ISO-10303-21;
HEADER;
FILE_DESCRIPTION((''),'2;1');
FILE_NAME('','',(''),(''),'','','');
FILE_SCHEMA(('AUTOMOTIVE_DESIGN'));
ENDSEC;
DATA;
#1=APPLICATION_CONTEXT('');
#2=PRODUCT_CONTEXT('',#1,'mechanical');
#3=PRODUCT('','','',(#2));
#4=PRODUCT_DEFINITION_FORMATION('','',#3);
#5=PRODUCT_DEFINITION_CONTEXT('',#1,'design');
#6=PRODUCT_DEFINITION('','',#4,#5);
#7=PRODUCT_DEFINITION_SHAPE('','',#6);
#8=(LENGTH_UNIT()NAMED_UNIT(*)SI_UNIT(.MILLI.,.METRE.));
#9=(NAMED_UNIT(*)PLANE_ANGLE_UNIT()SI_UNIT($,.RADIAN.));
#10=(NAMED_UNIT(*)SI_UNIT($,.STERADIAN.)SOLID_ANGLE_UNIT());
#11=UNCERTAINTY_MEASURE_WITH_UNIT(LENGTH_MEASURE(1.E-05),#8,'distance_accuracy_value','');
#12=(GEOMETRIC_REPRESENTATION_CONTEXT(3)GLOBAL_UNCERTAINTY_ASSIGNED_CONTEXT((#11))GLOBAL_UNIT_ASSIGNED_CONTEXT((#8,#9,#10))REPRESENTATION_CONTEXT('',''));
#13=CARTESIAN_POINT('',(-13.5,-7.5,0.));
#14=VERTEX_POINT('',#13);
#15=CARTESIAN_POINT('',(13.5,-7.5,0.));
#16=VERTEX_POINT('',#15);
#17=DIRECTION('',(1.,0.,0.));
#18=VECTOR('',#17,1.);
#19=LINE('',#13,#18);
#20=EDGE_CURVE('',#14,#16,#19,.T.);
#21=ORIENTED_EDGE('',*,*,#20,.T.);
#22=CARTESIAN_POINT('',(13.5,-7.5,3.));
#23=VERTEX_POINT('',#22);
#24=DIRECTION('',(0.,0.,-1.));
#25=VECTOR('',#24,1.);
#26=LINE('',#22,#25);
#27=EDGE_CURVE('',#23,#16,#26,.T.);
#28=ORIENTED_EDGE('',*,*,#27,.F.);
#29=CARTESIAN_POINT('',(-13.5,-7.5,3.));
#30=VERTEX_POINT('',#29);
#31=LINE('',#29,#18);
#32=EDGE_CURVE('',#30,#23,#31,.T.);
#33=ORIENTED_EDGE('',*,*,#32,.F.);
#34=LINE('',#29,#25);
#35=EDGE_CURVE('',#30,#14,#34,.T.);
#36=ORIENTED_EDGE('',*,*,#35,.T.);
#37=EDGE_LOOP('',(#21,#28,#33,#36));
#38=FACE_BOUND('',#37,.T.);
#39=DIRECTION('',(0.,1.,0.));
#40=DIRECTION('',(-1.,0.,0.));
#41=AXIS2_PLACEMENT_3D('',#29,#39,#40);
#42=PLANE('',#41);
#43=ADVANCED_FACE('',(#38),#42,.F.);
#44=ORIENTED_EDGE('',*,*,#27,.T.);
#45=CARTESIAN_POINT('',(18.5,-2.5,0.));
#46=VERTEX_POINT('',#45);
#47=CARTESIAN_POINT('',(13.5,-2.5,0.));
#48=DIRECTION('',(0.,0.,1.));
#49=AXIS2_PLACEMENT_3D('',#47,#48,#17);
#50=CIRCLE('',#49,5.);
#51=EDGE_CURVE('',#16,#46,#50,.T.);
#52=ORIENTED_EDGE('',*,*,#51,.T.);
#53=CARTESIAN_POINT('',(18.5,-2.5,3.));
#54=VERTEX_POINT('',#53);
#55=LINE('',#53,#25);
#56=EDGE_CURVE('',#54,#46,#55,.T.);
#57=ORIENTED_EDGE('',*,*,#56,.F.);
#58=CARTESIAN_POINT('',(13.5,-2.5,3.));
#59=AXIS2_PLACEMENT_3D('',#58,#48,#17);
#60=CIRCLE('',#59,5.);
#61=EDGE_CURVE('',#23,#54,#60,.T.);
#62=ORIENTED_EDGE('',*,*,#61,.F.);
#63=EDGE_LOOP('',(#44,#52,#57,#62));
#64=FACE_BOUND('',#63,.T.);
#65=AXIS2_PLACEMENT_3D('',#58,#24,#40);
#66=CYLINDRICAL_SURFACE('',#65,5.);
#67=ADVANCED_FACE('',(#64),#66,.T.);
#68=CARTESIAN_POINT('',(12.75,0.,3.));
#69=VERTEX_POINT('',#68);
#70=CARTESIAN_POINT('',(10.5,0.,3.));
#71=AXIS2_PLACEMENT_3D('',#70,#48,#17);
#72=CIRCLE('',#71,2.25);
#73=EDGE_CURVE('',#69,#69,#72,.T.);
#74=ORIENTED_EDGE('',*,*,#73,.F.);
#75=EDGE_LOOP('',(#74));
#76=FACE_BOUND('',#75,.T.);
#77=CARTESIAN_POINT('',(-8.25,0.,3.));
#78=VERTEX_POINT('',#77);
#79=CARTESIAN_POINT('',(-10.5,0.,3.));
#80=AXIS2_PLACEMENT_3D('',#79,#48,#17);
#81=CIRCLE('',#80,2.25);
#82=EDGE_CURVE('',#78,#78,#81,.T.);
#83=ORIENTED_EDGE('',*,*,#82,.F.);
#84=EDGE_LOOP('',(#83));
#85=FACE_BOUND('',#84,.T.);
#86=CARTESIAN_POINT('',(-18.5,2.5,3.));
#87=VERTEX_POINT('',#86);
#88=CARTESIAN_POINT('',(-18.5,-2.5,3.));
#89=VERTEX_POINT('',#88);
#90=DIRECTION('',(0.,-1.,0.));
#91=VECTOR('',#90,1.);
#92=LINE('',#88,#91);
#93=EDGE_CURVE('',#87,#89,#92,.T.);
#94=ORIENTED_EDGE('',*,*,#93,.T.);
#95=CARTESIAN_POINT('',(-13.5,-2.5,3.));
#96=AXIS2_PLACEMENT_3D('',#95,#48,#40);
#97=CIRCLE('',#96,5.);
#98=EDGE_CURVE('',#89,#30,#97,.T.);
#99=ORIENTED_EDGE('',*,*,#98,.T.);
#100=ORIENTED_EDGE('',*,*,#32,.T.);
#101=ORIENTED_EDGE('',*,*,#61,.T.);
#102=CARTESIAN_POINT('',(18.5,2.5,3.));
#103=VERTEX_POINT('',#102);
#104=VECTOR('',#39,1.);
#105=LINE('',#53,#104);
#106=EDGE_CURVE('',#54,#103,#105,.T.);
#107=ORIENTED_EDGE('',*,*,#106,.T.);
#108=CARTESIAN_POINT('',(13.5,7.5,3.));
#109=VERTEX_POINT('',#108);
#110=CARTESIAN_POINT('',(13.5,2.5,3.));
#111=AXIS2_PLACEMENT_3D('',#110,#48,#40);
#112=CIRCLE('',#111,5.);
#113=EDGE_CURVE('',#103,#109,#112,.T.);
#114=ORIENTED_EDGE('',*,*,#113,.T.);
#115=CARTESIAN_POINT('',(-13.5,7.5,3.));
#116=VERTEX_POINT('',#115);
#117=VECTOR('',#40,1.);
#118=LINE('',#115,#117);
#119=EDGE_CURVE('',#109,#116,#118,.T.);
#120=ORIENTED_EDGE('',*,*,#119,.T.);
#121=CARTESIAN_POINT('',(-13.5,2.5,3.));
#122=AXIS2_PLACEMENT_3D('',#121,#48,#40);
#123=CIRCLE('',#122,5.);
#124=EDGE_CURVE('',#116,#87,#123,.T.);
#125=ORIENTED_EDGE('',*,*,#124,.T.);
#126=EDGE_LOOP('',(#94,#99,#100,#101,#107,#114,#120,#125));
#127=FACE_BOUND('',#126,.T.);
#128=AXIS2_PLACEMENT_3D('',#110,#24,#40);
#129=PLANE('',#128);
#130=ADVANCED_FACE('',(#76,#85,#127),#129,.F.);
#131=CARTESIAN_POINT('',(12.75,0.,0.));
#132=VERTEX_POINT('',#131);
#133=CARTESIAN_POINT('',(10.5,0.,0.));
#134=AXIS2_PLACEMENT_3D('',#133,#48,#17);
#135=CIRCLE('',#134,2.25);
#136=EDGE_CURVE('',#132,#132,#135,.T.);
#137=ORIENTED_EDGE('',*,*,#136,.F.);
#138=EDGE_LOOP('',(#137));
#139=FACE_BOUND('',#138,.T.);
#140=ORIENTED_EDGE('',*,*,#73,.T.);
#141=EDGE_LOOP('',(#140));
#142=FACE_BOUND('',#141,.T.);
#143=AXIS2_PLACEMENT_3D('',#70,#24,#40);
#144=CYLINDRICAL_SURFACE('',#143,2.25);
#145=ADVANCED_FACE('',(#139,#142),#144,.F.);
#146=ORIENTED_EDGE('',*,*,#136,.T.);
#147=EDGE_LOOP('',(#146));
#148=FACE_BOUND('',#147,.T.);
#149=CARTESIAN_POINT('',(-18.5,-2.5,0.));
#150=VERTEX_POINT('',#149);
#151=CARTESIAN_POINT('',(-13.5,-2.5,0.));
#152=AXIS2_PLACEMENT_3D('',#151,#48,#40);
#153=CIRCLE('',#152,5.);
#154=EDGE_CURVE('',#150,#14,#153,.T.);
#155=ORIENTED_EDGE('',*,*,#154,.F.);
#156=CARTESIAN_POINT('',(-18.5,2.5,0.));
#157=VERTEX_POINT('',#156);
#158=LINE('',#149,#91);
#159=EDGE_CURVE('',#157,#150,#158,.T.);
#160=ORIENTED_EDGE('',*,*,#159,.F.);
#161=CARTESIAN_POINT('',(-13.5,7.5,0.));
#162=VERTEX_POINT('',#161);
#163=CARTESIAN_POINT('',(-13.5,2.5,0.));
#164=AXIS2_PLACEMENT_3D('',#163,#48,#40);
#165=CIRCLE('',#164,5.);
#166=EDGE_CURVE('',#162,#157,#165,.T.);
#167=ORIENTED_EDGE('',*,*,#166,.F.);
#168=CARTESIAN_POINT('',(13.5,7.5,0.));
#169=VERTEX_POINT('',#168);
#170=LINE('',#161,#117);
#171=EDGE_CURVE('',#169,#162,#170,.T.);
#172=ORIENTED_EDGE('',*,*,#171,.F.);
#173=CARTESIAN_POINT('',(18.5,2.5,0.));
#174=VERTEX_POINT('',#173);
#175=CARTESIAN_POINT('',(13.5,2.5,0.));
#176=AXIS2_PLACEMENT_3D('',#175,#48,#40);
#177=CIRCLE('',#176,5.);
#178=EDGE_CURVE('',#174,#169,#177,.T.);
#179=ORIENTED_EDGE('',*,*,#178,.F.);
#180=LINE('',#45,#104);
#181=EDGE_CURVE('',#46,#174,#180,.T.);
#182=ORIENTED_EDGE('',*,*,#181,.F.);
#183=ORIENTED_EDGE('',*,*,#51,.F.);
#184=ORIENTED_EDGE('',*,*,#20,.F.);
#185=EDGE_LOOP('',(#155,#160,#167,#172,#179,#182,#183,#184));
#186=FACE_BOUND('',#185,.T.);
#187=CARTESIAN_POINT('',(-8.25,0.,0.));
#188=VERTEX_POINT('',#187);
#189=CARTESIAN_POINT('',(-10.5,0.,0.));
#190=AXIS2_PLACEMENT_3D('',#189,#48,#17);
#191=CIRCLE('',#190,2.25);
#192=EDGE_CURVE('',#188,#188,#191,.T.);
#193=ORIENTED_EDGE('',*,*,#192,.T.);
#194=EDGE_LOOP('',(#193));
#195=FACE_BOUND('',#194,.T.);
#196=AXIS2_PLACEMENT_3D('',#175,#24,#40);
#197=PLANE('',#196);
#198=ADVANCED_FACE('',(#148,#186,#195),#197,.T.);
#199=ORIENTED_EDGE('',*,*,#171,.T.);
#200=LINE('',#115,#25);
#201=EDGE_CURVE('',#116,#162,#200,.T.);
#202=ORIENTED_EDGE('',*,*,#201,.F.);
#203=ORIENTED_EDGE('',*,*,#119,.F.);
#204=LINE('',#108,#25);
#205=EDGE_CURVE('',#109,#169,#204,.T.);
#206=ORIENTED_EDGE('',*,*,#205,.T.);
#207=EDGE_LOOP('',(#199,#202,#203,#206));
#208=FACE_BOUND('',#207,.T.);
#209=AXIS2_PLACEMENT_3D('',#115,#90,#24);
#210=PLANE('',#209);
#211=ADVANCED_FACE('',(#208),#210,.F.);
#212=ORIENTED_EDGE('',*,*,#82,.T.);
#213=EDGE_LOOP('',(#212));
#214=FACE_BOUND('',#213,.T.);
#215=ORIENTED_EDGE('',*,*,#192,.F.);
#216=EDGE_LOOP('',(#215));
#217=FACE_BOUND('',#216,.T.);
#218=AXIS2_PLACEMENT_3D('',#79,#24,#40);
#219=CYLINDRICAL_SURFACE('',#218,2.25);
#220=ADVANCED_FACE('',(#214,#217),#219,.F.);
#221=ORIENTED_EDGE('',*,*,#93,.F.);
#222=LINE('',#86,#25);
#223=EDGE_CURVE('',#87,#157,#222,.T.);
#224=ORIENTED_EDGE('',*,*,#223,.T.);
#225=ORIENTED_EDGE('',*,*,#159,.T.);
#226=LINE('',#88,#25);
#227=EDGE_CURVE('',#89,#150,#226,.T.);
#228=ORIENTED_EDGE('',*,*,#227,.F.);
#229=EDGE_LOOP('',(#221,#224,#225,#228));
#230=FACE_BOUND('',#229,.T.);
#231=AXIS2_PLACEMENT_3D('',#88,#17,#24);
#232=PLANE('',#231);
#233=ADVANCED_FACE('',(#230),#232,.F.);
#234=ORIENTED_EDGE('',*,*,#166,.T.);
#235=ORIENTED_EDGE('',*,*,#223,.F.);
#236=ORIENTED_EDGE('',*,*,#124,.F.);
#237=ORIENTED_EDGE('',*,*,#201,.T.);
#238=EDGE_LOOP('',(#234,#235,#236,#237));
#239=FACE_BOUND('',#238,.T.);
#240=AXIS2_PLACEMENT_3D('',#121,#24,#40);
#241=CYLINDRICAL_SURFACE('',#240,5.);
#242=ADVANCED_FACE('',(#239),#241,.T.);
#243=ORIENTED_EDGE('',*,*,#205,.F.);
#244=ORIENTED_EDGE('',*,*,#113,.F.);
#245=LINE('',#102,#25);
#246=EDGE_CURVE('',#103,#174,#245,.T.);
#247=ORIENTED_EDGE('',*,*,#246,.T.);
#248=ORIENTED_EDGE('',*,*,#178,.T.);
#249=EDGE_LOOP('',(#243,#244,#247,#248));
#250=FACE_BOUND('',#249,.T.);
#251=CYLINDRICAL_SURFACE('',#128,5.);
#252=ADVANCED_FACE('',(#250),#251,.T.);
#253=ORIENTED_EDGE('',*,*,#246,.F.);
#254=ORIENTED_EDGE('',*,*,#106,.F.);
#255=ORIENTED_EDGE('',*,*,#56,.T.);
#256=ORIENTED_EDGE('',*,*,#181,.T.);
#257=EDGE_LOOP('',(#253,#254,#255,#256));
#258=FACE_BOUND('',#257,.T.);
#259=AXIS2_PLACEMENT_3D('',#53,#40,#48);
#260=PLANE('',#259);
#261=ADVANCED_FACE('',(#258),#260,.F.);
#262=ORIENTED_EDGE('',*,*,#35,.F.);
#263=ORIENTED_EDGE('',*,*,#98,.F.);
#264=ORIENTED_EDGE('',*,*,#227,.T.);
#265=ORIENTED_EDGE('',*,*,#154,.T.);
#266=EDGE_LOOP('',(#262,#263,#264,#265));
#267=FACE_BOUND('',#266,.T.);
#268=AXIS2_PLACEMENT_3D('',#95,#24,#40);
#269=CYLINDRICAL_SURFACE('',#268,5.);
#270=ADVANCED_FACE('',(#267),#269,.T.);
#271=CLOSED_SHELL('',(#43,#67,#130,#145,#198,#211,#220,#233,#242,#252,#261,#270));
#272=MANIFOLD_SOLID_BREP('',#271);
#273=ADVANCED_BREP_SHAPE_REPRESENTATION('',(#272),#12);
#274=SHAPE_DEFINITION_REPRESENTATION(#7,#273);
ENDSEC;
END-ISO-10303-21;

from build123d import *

# Parameters (mm, degrees)
SKETCH1_R           = 2.25
BOSS_EXTRUDE1_DEPTH = 3


with BuildPart() as part:
    # Sketch1 → Boss-Extrude1 (new body)
    with BuildSketch(Plane.XY):
        with BuildLine():
            Line((-13.5, -7.5), (13.5, -7.5))
            ThreePointArc((13.5, -7.5), (17.035533906, -6.035533906), (18.5, -2.5))
            Line((18.5, -2.5), (18.5, 2.5))
            ThreePointArc((18.5, 2.5), (17.035533906, 6.035533906), (13.5, 7.5))
            Line((13.5, 7.5), (-13.5, 7.5))
            ThreePointArc((-13.5, 7.5), (-17.035533906, 6.035533906), (-18.5, 2.5))
            Line((-18.5, 2.5), (-18.5, -2.5))
            ThreePointArc((-18.5, -2.5), (-17.035533906, -6.035533906), (-13.5, -7.5))
        make_face()
        with Locations((-10.5, 0)):
            Circle(SKETCH1_R, mode=Mode.SUBTRACT)
        with Locations((10.5, 0)):
            Circle(SKETCH1_R, mode=Mode.SUBTRACT)
    extrude(amount=BOSS_EXTRUDE1_DEPTH)


solid = part.part
